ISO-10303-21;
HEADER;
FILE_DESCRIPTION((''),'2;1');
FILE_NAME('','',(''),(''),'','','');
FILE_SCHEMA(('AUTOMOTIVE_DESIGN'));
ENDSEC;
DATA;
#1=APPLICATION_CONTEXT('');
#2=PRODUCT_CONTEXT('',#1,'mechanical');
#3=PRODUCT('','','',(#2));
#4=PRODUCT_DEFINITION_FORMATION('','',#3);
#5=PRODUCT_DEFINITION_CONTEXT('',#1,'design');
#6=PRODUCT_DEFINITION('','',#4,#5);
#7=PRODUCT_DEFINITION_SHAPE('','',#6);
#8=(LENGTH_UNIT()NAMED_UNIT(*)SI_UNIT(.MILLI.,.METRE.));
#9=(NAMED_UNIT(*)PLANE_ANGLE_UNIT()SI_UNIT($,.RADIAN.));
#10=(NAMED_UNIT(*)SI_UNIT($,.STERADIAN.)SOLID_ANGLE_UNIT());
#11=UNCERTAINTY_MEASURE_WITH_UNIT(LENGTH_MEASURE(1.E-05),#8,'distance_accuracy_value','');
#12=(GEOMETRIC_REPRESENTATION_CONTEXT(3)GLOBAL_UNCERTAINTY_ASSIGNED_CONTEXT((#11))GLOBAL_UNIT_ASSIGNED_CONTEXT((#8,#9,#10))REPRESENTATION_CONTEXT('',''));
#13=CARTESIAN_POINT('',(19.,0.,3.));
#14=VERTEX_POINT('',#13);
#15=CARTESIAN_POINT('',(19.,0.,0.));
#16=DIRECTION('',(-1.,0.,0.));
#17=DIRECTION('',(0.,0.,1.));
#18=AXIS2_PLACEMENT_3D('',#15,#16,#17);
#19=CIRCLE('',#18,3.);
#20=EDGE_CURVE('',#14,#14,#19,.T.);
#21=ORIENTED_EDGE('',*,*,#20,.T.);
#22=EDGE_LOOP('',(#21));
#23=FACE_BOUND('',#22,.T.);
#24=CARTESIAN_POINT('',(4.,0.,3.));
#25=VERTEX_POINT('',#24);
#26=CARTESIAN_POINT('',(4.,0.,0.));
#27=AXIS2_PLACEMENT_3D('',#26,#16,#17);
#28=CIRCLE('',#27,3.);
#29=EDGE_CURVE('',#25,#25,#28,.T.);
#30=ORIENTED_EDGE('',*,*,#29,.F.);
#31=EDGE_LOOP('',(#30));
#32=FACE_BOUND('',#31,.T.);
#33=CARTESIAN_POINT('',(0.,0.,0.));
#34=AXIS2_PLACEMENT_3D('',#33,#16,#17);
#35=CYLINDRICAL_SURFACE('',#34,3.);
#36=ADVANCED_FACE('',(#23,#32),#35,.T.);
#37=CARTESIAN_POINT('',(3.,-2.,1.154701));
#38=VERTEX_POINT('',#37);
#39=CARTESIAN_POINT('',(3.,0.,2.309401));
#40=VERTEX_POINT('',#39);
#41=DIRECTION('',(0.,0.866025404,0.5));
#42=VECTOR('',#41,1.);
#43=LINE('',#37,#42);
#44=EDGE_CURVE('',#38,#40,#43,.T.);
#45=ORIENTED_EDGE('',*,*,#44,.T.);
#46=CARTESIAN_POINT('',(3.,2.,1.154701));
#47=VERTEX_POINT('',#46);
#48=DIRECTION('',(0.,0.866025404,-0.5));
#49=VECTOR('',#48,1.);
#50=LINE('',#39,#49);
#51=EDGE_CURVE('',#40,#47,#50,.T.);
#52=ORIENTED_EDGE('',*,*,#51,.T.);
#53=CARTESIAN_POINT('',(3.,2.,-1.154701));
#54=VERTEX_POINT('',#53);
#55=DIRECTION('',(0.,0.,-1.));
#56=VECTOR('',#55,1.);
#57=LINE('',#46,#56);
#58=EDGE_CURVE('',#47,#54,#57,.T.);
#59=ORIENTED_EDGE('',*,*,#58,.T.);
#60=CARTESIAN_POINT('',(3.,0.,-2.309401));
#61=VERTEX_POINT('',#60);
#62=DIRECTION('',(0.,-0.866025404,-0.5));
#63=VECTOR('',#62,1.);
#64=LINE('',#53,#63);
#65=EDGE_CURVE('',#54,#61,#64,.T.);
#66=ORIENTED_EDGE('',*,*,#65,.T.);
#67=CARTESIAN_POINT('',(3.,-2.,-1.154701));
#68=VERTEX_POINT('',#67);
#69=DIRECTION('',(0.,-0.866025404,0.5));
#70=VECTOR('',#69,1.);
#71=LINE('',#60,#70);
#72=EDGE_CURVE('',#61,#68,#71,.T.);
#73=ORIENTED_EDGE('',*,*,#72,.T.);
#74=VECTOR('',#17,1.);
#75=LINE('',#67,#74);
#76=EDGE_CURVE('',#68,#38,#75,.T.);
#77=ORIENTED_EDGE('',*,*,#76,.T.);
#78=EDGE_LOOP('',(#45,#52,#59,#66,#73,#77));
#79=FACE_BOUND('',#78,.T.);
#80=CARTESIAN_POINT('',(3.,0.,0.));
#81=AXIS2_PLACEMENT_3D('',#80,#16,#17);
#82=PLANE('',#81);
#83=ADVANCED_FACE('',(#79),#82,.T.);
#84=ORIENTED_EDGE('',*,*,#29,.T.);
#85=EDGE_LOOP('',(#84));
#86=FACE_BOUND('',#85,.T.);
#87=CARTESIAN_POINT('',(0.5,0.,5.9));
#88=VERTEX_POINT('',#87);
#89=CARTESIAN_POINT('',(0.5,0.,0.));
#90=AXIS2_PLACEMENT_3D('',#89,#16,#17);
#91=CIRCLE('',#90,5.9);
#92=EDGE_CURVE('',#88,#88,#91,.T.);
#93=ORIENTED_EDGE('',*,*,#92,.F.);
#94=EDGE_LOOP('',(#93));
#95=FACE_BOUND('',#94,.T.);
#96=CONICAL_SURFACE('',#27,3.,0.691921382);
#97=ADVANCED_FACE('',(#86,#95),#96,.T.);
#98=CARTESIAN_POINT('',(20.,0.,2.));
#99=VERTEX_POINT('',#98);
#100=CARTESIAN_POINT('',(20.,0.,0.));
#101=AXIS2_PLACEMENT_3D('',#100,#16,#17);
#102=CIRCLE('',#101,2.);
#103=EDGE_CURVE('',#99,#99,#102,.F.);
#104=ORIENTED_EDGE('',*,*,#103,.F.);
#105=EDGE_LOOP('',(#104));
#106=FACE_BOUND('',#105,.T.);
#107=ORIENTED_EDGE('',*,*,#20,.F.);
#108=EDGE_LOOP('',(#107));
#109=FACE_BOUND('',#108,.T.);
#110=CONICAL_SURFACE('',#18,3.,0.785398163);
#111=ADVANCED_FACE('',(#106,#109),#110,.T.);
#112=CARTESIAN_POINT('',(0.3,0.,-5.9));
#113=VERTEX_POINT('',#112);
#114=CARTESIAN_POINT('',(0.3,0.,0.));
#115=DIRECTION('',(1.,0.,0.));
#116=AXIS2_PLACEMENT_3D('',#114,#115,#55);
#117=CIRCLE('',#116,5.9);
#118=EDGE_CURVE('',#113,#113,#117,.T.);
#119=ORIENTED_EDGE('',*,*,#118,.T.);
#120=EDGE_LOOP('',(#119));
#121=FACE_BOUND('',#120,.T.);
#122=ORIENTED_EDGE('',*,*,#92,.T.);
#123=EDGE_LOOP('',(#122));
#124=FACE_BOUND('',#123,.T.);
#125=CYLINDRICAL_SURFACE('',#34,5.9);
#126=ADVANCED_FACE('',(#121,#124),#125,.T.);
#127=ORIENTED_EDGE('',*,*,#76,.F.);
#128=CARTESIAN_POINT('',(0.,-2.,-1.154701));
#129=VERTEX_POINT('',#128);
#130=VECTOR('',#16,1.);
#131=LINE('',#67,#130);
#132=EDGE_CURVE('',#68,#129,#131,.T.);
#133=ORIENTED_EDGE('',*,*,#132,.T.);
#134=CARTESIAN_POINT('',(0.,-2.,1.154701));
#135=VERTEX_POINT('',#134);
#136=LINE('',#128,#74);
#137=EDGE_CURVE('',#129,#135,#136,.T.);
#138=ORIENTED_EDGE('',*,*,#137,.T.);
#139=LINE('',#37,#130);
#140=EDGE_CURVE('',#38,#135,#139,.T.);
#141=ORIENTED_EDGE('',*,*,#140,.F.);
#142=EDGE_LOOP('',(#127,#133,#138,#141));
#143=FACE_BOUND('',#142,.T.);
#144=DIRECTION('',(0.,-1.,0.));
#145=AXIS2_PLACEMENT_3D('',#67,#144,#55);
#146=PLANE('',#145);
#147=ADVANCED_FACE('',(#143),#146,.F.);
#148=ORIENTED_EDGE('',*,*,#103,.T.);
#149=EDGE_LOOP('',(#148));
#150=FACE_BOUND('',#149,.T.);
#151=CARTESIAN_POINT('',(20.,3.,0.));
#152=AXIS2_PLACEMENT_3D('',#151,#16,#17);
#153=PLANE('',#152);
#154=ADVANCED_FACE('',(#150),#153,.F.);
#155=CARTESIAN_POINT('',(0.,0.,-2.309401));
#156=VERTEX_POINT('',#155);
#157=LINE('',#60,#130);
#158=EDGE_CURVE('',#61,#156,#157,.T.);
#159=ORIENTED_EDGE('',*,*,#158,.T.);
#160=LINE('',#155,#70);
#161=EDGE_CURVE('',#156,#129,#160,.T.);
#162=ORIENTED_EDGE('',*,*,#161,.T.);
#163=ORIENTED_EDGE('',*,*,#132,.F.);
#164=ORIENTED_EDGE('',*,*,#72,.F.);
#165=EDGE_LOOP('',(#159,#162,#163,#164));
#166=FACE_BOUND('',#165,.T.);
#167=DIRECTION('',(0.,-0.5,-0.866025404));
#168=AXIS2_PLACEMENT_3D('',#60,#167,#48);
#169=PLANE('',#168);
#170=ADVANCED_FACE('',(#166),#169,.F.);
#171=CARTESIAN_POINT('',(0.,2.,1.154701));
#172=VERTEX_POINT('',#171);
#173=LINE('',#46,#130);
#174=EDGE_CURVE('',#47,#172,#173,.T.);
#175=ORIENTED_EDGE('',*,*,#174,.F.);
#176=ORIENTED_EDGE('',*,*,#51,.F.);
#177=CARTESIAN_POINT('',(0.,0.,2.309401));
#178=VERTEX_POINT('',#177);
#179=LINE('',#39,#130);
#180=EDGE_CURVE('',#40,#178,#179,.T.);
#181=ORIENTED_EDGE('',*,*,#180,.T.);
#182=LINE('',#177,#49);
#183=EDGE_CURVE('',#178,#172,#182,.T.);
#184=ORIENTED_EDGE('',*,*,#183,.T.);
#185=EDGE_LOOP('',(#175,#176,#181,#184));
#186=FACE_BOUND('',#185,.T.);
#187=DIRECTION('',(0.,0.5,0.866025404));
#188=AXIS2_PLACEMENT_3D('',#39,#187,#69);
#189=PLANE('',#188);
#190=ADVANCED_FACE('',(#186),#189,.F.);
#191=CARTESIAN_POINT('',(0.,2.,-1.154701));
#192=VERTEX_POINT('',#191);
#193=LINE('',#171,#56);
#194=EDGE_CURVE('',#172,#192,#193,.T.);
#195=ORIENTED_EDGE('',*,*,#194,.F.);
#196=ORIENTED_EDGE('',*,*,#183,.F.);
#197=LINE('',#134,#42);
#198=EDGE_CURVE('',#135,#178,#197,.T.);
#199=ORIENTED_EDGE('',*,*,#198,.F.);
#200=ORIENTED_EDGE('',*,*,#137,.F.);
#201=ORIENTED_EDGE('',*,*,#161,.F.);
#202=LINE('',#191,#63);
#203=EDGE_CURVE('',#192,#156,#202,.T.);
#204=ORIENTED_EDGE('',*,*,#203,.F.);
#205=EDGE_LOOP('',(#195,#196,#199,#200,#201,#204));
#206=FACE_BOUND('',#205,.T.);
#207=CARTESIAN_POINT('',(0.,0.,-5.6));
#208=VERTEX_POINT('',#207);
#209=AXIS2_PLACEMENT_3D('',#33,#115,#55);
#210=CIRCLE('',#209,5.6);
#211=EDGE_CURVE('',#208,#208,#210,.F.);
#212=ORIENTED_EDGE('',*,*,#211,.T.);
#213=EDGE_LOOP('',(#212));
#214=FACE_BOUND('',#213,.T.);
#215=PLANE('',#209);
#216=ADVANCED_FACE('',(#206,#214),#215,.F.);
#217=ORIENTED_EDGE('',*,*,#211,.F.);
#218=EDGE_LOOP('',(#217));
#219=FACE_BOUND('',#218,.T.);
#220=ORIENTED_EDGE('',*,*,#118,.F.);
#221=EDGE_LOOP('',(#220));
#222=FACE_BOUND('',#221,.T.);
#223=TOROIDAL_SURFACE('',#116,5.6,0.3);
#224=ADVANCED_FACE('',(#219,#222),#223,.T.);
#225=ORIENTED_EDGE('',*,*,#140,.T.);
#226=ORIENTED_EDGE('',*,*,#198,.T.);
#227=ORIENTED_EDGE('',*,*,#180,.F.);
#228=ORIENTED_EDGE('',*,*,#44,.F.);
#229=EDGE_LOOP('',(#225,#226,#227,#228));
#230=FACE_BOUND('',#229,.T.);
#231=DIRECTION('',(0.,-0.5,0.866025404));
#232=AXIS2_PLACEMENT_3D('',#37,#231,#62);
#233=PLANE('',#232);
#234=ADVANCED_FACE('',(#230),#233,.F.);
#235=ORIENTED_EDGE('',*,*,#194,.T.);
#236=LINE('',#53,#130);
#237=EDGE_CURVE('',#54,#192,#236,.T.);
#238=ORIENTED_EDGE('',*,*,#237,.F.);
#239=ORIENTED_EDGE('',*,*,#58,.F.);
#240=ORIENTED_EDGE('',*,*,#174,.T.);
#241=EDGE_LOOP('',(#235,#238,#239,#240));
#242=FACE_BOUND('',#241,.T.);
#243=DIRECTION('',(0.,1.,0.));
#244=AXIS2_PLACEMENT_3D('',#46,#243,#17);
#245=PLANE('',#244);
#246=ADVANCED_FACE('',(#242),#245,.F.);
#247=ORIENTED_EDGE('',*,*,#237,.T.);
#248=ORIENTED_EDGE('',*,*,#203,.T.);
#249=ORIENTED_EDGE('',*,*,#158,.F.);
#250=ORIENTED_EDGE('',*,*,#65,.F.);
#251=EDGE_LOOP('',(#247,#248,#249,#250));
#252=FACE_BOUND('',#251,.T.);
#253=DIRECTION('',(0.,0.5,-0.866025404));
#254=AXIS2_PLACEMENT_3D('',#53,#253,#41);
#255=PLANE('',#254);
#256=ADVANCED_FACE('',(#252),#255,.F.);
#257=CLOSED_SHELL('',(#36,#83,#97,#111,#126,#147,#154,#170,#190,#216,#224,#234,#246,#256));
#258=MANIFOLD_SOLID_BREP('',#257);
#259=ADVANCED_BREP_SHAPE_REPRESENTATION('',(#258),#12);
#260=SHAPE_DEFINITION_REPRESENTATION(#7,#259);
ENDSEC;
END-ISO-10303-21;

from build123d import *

# Parameters (mm, degrees)
CUT_EXTRUDE_1_DEPTH = 3
FILLET_1_R          = 0.3
CHAMFER_1_SIZE      = 1


with BuildPart() as part:
    # Эскиз1 → Повернуть1 (revolve)
    with BuildSketch(Plane.XY, mode=Mode.PRIVATE) as revolve_1_sk:
        Polygon((0, 0), (0, 5.9), (0.5, 5.9), (4, 3), (20, 3), (20, 0), align=None)
    revolve(revolve_1_sk.sketch.rotate(Axis((0, 0, 0), (1, 0, 0)), 90), axis=Axis((0, 0, 0), (1, 0, 0)))  # turned: the seam where the file's is

    # Эскиз2 → Вырез-Вытянуть1 (cut)
    with BuildSketch(Plane.ZY):
        Polygon((1.154700538, 2), (-1.154700538, 2), (-2.309401077, 0), (-1.154700538, -2), (1.154700538, -2), (2.309401077, 0), align=None)
    extrude(amount=-CUT_EXTRUDE_1_DEPTH, mode=Mode.SUBTRACT)

    # Скругление1
    fillet_1_edges = [part.edges().sort_by_distance(p)[0] for p in [
        (0, 0, -5.9),
    ]]
    fillet(fillet_1_edges, radius=FILLET_1_R)

    # Фаска1
    chamfer_1_edges = [part.edges().sort_by_distance(p)[0] for p in [
        (20, 0, -3),
    ]]
    chamfer(chamfer_1_edges, length=CHAMFER_1_SIZE)


solid = part.part
